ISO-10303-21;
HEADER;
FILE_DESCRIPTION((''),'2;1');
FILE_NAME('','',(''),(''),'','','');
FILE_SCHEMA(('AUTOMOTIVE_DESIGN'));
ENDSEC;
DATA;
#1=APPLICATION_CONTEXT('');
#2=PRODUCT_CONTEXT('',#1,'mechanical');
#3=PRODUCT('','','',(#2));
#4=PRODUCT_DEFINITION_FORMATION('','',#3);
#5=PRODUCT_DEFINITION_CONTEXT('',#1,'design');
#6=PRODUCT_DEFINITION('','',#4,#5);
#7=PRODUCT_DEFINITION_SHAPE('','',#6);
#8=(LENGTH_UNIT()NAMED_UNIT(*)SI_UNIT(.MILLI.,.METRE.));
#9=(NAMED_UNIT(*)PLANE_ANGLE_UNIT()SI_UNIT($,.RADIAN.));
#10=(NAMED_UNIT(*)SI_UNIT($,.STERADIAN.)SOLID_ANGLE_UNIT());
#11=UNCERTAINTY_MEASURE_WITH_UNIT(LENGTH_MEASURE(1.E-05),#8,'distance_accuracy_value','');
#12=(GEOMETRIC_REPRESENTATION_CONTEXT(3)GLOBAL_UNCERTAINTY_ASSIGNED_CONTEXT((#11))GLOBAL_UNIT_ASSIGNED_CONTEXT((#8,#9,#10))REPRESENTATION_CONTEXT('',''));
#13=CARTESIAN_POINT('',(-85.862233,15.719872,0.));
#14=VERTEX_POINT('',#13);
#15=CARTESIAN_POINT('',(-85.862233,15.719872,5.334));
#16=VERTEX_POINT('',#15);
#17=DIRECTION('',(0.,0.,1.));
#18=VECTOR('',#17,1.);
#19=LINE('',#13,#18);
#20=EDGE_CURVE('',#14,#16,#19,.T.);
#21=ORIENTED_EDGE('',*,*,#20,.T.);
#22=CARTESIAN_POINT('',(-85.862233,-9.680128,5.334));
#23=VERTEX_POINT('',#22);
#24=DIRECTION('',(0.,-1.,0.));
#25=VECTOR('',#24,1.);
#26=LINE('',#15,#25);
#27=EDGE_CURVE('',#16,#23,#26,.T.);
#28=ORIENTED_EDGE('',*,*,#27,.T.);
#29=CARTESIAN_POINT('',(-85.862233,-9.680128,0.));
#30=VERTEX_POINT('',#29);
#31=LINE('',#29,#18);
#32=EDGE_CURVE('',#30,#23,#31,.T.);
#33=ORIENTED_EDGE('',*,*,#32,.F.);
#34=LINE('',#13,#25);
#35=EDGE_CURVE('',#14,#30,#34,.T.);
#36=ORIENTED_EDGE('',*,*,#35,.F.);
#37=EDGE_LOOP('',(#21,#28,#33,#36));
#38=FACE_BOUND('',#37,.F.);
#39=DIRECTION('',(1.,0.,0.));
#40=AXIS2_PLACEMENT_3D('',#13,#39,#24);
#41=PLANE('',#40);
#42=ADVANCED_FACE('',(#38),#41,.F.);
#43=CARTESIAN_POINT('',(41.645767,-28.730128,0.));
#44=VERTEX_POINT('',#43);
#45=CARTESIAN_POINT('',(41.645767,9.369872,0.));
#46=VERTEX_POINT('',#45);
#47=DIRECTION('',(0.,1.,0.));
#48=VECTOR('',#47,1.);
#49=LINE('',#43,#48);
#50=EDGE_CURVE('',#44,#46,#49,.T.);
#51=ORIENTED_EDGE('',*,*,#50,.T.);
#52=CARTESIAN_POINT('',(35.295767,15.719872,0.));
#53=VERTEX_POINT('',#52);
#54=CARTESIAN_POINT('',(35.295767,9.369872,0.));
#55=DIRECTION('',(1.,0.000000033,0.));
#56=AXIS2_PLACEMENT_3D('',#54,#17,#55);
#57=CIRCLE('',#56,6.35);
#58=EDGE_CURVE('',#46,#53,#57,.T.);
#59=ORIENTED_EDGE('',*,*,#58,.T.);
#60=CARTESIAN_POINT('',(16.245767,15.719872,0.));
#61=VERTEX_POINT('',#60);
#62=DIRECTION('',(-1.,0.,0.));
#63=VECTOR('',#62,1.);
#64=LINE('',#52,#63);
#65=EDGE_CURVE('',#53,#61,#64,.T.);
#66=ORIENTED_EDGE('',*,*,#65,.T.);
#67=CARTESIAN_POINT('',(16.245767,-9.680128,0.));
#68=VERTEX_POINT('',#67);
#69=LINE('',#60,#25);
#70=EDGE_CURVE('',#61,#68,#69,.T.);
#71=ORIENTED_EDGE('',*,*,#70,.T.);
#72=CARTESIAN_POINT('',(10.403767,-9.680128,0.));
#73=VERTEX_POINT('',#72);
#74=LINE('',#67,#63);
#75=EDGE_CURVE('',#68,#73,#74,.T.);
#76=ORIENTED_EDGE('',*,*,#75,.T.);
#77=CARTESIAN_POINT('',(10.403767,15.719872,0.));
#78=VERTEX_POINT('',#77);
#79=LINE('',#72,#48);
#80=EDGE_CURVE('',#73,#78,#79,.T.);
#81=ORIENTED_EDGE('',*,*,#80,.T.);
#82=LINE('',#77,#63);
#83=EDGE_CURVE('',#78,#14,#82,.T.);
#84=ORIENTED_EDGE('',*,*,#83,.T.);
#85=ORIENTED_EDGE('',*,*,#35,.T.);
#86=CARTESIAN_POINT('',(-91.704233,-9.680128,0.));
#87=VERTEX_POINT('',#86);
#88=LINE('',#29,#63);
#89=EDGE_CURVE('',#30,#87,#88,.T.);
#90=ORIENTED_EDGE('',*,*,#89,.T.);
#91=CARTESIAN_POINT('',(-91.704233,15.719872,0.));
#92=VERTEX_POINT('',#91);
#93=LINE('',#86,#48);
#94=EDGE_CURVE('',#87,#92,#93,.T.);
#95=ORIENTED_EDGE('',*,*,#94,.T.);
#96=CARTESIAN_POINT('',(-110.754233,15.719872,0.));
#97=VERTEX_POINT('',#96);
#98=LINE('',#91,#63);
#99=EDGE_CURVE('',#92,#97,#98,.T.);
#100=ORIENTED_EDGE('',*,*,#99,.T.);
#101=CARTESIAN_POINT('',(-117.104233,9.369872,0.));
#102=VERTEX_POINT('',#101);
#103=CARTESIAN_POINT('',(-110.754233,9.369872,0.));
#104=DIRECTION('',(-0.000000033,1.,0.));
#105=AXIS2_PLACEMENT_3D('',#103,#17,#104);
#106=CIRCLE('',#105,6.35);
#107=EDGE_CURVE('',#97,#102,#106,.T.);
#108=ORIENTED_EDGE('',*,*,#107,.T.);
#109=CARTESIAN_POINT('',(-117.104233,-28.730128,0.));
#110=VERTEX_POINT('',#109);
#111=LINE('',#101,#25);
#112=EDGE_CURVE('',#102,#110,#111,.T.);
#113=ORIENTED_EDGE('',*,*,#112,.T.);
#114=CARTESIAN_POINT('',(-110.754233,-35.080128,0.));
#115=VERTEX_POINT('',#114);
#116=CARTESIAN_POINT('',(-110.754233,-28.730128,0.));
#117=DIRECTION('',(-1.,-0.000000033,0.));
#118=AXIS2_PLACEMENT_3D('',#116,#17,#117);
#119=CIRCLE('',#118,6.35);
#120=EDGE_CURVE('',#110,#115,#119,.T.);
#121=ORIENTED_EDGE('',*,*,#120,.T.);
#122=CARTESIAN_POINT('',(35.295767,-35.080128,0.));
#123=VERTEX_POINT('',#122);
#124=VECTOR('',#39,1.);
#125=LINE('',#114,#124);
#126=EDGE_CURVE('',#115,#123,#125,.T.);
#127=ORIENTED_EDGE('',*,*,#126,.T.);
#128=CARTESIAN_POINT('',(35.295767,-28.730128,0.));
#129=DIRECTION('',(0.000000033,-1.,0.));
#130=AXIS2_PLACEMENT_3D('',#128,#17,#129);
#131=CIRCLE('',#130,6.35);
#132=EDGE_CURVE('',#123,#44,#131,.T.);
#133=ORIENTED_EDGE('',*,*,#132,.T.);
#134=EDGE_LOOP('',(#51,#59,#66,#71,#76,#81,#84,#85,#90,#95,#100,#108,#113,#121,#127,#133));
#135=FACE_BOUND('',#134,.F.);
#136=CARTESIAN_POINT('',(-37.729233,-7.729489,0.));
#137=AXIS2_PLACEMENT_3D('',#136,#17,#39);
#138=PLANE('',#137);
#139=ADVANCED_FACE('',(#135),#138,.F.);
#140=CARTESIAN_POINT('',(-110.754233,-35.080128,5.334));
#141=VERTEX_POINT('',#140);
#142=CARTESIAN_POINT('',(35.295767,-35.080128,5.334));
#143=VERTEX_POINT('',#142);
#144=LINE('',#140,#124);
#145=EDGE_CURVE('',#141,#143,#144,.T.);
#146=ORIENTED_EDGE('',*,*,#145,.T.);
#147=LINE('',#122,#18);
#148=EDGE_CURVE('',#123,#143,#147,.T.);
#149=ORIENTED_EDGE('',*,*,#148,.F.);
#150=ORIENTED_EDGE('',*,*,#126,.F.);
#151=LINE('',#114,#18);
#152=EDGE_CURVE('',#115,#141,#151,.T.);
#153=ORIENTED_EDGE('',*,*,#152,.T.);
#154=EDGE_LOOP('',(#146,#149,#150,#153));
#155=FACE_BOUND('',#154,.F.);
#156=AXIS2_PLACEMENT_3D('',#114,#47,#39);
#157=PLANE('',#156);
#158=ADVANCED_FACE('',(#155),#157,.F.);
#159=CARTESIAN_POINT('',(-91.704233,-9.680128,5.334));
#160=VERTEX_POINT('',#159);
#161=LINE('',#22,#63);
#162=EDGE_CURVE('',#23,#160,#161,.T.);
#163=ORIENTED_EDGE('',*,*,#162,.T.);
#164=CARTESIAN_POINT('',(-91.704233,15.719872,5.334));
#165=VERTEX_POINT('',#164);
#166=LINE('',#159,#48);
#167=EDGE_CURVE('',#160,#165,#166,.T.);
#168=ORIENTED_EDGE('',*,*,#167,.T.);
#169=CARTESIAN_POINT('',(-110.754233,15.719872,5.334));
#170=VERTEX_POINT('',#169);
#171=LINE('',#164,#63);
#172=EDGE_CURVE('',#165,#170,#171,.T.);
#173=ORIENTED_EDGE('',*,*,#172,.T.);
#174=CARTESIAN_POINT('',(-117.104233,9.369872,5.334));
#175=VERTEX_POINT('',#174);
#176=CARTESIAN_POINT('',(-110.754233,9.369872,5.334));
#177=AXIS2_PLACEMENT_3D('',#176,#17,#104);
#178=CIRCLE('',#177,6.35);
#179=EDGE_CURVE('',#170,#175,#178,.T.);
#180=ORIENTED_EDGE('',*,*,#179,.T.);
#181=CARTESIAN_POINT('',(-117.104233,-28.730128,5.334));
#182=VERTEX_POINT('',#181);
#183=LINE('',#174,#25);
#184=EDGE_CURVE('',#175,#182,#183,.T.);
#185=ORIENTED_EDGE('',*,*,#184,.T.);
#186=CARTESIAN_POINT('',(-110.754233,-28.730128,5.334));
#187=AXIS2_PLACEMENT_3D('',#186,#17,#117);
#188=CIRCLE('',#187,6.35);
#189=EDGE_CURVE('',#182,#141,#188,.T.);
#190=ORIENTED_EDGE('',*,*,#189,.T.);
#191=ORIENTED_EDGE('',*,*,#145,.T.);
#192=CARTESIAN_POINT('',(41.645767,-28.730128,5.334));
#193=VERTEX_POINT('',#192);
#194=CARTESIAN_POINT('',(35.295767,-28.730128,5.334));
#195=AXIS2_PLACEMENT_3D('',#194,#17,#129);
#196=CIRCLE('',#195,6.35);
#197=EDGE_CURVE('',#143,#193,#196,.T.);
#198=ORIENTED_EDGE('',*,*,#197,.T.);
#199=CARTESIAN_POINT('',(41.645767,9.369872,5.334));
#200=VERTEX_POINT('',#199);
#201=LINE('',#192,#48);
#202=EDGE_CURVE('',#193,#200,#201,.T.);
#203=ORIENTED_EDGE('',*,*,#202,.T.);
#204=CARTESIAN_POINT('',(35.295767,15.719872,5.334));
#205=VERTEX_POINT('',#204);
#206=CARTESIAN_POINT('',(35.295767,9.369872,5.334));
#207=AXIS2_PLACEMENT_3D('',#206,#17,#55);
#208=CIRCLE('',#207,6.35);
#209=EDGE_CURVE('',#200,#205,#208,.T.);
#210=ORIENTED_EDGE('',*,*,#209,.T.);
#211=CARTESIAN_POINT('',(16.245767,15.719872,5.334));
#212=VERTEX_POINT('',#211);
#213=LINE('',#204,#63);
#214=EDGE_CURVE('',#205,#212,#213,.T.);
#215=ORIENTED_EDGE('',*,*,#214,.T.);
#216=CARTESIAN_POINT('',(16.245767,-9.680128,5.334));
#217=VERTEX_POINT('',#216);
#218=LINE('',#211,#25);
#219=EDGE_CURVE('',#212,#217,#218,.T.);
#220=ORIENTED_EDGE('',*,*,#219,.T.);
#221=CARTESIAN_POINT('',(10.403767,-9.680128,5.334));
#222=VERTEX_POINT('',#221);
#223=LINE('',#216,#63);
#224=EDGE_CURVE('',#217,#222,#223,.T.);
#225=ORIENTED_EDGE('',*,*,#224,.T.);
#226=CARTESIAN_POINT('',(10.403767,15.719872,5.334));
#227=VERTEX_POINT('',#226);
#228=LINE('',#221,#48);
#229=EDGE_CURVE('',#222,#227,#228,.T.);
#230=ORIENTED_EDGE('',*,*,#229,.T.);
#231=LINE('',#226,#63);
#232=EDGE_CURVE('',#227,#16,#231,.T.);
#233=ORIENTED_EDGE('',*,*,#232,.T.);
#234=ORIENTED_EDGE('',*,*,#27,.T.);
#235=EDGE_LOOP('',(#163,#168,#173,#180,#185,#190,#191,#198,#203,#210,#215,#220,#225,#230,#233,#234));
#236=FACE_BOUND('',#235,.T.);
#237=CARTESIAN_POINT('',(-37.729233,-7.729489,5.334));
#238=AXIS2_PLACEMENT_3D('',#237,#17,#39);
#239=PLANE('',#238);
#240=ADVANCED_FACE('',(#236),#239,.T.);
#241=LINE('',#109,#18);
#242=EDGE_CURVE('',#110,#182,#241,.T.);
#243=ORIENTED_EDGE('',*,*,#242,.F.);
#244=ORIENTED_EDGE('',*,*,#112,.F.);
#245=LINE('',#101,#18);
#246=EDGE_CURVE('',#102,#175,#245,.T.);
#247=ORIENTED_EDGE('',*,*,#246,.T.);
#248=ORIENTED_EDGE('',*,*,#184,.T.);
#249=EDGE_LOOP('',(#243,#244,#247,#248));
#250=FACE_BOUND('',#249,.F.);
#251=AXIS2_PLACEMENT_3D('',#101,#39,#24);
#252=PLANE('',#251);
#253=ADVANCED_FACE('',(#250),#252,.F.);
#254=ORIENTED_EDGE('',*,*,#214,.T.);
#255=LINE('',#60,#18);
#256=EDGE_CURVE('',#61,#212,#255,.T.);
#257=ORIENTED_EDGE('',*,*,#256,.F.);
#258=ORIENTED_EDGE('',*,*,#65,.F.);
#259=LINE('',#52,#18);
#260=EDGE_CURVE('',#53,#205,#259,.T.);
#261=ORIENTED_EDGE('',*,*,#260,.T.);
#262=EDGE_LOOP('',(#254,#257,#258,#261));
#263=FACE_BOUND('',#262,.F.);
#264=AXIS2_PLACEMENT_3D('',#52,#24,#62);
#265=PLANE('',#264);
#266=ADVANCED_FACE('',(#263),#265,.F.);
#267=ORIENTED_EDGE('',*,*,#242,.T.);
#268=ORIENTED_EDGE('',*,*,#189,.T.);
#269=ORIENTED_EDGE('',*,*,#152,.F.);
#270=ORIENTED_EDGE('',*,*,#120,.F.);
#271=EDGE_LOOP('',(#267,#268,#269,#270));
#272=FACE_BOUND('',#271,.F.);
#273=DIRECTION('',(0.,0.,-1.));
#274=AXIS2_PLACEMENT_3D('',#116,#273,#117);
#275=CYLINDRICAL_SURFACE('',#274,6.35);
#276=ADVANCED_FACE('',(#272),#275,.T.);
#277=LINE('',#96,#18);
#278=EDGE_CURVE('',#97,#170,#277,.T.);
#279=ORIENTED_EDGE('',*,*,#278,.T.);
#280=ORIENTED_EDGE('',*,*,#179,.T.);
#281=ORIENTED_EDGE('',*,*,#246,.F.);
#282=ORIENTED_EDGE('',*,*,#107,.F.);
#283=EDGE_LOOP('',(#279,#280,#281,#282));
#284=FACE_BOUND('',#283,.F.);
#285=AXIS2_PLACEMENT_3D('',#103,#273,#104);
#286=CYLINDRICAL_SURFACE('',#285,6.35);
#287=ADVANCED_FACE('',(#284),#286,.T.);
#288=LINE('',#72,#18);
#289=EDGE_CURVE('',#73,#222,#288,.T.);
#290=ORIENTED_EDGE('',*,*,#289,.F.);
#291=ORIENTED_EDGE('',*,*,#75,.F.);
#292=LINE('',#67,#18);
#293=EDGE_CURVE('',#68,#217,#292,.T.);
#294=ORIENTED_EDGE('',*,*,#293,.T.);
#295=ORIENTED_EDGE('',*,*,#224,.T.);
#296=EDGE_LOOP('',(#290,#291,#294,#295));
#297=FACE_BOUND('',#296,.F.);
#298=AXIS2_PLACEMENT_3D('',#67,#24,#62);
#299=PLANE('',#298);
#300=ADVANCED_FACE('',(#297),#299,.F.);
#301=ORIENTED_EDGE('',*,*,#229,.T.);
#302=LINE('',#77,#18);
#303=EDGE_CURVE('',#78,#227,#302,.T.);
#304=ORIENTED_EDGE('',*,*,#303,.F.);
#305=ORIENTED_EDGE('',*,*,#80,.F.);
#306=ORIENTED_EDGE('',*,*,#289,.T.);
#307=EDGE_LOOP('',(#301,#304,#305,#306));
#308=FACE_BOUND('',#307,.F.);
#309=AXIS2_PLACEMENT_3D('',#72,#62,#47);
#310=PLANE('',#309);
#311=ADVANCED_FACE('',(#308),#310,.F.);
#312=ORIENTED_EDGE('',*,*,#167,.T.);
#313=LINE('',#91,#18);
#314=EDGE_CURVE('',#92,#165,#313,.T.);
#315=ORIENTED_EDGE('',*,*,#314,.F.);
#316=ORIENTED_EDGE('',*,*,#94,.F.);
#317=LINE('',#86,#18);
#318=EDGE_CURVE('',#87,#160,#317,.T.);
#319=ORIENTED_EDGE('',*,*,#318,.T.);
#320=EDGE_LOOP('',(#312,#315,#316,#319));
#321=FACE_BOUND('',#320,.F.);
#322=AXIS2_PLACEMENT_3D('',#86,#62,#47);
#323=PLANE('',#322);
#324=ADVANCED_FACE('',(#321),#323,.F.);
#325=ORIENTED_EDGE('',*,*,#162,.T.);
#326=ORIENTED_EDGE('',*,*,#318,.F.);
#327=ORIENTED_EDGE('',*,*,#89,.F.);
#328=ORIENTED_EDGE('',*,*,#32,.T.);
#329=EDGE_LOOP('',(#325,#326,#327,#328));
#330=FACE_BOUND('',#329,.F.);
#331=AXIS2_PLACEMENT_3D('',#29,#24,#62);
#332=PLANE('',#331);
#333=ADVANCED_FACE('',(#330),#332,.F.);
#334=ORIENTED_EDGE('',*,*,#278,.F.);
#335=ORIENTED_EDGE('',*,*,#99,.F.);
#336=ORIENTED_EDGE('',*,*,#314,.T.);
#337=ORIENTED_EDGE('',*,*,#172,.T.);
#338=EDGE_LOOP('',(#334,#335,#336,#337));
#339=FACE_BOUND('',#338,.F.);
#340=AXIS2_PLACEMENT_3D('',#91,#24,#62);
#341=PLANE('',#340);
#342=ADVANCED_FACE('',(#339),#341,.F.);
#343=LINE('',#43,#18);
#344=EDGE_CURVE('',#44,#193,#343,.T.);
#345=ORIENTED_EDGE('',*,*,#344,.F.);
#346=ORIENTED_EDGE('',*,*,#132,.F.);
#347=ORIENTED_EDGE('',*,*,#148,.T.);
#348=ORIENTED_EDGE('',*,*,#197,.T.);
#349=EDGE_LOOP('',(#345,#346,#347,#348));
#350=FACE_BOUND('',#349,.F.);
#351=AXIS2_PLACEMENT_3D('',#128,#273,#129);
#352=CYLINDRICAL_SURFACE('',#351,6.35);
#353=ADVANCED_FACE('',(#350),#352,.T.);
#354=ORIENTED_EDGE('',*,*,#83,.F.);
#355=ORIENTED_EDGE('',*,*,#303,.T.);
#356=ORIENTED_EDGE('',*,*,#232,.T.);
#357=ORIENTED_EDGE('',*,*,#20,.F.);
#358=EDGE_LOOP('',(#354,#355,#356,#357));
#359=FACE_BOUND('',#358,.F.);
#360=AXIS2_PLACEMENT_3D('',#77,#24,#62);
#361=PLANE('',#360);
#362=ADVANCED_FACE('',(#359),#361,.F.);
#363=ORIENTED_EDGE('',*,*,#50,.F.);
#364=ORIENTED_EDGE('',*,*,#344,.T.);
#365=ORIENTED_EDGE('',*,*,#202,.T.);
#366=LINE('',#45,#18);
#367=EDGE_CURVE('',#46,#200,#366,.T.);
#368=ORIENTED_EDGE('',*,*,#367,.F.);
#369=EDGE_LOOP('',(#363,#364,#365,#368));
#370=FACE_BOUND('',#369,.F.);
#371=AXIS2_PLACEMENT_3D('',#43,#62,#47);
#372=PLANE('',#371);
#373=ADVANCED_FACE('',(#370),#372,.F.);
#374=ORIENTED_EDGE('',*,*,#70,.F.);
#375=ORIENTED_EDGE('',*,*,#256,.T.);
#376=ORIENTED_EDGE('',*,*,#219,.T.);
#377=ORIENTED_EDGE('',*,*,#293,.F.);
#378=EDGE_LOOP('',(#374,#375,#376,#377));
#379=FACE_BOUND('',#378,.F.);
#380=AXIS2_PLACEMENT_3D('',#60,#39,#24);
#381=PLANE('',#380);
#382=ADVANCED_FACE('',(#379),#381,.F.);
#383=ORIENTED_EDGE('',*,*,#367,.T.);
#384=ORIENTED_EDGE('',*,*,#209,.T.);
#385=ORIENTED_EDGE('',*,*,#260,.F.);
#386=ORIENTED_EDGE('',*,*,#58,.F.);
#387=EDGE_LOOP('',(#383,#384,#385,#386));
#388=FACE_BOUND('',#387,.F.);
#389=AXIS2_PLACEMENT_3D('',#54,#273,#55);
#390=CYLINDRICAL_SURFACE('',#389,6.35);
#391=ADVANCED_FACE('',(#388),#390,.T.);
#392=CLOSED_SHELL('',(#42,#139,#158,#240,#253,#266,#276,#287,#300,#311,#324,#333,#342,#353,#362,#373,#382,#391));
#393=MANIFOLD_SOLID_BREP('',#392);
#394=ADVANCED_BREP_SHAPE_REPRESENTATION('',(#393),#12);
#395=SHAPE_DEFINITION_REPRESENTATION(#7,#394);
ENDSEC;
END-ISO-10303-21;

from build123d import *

# Parameters (mm, degrees)
F1_DEPTH = 5.334


with BuildPart() as f1:
    # F0 (on Top) → F1 (new body)
    with BuildSketch(Plane.XY):
        with BuildLine():
            Line((-91.704233, 15.719872), (-110.754233, 15.719872))
            ThreePointArc((-110.754233, 15.719872), (-115.244361, 13.86), (-117.104233, 9.369872))
            Line((-117.104233, 9.369872), (-117.104233, -28.730128))
            ThreePointArc((-117.104233, -28.730128), (-115.244361, -33.220256), (-110.754233, -35.080128))
            Line((-110.754233, -35.080128), (35.295767, -35.080128))
            ThreePointArc((35.295767, -35.080128), (39.785895, -33.220256), (41.645767, -28.730128))
            Line((41.645767, -28.730128), (41.645767, 9.369872))
            ThreePointArc((41.645767, 9.369872), (39.785895, 13.86), (35.295767, 15.719872))
            Line((35.295767, 15.719872), (16.245767, 15.719872))
            Line((16.245767, 15.719872), (16.245767, -9.680128))
            Line((16.245767, -9.680128), (10.403767, -9.680128))
            Line((10.403767, -9.680128), (10.403767, 15.719872))
            Line((10.403767, 15.719872), (-85.862233, 15.719872))
            Line((-85.862233, 15.719872), (-85.862233, -9.680128))
            Line((-85.862233, -9.680128), (-91.704233, -9.680128))
            Line((-91.704233, -9.680128), (-91.704233, 15.719872))
        make_face()
    extrude(amount=F1_DEPTH)


solid = f1.part
